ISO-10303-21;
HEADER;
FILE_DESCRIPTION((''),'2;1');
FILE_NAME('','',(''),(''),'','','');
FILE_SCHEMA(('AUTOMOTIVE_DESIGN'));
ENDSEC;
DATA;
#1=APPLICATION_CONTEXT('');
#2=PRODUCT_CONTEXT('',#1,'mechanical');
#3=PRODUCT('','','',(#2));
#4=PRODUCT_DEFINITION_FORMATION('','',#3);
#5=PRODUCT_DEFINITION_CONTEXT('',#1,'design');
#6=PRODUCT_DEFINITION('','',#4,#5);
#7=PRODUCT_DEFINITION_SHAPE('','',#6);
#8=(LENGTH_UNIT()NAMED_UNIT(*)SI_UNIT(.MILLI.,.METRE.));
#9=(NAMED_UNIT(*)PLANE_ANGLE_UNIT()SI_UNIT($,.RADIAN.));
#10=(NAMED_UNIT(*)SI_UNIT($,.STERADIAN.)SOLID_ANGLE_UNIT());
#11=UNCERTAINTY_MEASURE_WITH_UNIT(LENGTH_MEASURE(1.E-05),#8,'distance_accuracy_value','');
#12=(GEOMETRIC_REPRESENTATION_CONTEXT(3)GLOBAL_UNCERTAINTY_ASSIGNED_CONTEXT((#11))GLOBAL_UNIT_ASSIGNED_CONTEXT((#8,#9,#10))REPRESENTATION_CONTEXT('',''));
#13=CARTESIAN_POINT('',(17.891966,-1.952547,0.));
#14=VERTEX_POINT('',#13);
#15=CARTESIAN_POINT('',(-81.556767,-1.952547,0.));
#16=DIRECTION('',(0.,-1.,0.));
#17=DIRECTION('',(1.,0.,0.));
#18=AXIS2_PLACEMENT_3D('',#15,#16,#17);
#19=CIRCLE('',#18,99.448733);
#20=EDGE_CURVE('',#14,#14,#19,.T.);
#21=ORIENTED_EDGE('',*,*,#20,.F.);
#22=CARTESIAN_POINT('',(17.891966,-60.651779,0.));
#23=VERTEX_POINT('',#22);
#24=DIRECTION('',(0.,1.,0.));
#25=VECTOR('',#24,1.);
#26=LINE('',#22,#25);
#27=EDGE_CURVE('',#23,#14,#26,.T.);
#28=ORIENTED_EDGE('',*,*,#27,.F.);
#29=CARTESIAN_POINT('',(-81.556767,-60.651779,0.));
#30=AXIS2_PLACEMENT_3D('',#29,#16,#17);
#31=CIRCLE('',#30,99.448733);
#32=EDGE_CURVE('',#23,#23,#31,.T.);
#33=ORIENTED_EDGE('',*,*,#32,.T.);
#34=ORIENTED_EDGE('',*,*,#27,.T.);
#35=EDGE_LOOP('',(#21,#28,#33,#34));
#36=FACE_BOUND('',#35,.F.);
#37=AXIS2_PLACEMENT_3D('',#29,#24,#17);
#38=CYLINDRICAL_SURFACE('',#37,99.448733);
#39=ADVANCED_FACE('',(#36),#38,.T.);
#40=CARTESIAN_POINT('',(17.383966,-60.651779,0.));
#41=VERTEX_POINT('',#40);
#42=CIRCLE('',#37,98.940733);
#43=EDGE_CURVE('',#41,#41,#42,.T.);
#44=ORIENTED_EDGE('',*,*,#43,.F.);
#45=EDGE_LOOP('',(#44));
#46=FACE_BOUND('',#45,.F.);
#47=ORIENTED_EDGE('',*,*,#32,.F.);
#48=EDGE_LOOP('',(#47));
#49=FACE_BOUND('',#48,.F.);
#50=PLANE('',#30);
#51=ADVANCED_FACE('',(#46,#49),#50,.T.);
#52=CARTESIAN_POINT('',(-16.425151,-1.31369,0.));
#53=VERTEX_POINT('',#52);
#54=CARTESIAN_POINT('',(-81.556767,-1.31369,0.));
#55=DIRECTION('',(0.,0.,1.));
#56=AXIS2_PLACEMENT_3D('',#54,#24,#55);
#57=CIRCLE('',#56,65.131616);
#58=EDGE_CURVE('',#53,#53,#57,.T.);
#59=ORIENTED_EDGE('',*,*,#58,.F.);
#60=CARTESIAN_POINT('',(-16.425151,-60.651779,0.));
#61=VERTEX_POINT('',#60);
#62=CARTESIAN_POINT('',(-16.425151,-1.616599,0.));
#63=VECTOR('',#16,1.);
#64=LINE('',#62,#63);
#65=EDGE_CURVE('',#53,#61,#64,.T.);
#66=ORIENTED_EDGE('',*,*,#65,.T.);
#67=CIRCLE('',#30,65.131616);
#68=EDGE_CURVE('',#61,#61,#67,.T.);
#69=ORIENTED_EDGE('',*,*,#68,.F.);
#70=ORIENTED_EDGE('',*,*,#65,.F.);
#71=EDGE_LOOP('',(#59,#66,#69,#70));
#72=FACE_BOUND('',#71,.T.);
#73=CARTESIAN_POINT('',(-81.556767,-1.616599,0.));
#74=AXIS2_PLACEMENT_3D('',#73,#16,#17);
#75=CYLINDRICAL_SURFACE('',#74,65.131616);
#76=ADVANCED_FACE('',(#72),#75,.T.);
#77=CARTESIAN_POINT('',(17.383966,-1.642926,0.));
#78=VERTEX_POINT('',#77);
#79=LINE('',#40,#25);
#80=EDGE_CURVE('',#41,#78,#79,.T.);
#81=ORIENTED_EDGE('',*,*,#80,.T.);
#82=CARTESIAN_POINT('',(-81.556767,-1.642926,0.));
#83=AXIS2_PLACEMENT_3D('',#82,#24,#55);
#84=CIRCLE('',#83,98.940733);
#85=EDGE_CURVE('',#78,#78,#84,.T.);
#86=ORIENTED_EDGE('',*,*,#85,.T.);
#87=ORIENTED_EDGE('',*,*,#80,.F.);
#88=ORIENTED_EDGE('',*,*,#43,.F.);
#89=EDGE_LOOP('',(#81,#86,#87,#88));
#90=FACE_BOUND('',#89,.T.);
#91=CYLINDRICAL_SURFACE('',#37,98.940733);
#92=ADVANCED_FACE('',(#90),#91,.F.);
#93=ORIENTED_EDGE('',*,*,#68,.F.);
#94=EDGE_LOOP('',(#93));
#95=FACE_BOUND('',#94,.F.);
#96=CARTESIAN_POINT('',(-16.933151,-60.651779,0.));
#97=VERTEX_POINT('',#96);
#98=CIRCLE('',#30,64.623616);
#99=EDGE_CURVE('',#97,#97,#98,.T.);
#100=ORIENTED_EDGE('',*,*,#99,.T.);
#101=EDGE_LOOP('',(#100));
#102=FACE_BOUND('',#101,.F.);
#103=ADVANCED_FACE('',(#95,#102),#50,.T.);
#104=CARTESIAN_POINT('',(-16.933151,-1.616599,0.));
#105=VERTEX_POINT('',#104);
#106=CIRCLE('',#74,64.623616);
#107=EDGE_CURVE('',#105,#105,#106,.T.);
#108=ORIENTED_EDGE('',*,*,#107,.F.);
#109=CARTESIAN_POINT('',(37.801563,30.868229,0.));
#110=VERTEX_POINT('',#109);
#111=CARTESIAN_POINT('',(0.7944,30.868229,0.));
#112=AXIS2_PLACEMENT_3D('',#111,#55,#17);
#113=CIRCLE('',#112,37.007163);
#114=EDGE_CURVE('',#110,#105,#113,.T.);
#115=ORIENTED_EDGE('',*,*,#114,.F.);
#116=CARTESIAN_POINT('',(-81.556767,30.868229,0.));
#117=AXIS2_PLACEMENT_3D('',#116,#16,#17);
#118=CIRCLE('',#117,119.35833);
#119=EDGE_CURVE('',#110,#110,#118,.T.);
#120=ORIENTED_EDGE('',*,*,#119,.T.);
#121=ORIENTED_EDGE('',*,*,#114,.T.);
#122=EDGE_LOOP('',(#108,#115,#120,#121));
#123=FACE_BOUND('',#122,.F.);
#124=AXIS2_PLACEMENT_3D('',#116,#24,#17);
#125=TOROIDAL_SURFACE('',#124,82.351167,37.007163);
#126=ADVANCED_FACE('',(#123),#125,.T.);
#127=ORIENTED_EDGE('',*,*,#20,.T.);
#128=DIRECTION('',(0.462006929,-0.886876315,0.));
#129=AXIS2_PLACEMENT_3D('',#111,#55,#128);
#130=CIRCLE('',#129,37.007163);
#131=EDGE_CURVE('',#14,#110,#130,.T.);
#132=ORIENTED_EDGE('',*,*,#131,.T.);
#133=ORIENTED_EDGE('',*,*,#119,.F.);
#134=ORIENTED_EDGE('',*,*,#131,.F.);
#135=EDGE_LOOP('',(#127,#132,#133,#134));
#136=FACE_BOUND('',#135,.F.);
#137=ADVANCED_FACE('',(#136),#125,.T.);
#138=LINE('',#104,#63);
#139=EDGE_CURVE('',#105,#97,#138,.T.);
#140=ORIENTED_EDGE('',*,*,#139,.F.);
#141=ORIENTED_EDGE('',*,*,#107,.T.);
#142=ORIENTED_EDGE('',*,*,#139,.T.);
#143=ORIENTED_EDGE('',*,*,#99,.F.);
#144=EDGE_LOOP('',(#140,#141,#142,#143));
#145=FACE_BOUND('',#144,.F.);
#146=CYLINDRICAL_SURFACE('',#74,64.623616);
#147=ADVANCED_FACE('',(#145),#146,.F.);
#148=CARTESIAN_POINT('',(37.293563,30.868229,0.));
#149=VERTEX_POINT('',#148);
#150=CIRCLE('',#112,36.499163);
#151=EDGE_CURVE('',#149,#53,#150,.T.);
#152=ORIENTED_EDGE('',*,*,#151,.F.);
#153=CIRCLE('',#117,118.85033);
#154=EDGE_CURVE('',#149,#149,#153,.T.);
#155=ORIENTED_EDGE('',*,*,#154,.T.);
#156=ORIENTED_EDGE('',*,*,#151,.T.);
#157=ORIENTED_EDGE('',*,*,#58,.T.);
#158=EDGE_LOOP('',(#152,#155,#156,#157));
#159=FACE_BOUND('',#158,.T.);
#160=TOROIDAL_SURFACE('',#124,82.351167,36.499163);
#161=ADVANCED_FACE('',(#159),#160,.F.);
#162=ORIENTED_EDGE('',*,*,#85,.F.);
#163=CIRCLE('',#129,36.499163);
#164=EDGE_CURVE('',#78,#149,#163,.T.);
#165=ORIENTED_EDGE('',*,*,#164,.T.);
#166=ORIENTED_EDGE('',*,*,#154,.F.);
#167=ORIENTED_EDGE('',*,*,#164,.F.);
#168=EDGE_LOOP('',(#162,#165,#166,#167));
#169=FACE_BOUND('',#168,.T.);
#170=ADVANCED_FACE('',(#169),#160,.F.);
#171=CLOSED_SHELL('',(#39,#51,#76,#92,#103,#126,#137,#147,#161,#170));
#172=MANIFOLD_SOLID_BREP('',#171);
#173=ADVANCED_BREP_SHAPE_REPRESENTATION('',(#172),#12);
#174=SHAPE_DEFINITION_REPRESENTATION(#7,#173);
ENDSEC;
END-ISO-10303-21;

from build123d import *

# Parameters (mm, degrees)
F0_R   = 4.8384676429
F0_W   = 33.4663977847
F0_H   = 30.9353219345
F0_R_2 = 5.4605028195
F2_T   = -0.508


with BuildPart() as f1:
    # F0 (on Top) → F1 (revolve)
    with BuildSketch(Plane.XY):
        with BuildLine():
            ThreePointArc((17.8919658065, -1.9525471005), (32.4350583253, 11.6745100181), (37.8015630077, 30.8682291267))
            ThreePointArc((37.8015630077, 30.8682291267), (-18.0932111943, 62.6925632536), (-16.9331512416, -1.6165985091))
            Line((-16.9331512416, -1.6165985091), (17.8919658065, -1.9525471005))
        make_face()
        with Locations((-12.7029997908, 51.3977174703)):
            Circle(F0_R, mode=Mode.SUBTRACT)
        with Locations((1.2655355968, 25.1701041125)):
            Rectangle(F0_W, F0_H, mode=Mode.SUBTRACT)
        with Locations((13.1701837148, 51.3977174703)):
            Circle(F0_R_2, mode=Mode.SUBTRACT)
        with Locations((1.2655355968, 25.1701041125)):
            Rectangle(F0_W, F0_H)
        with BuildLine():
            ThreePointArc((-10.6082574531, -4.3384393356), (-13.8341463735, -3.1249427076), (-16.9331512416, -1.6165985091))
            Line((-16.9331512416, -1.6165985091), (-16.9331512416, -58.8920318501))
            Line((-16.9331512416, -58.8920318501), (-16.9331512416, -60.6517791748))
            Line((-16.9331512416, -60.6517791748), (17.8919658065, -60.6517791748))
            Line((17.8919658065, -60.6517791748), (17.8919658065, -1.9525471005))
            ThreePointArc((17.8919658065, -1.9525471005), (15.0521227576, -3.282136167), (12.1099166572, -4.366543328))
            Line((12.1099166572, -4.366543328), (12.1099166572, -56.1267063022))
            Line((12.1099166572, -56.1267063022), (-10.6082574531, -56.1267063022))
            Line((-10.6082574531, -56.1267063022), (-10.6082574531, -50.4808252712))
            Line((-10.6082574531, -50.4808252712), (-10.6082574531, -4.3384393356))
        make_face()
        with BuildLine():
            ThreePointArc((-5.0870146767, -5.6685887978), (-7.8731897306, -5.1095833441), (-10.6082574531, -4.3384393356))
            Line((-10.6082574531, -4.3384393356), (-10.6082574531, -50.4808252712))
            Line((-10.6082574531, -50.4808252712), (-10.6082574531, -56.1267063022))
            Line((-10.6082574531, -56.1267063022), (12.1099166572, -56.1267063022))
            Line((12.1099166572, -56.1267063022), (12.1099166572, -4.366543328))
            ThreePointArc((12.1099166572, -4.366543328), (8.9675990311, -5.2251071548), (5.7619544295, -5.8040152617))
            Line((5.7619544295, -5.8040152617), (5.7619544295, -50.64771019))
            Line((5.7619544295, -50.64771019), (-5.0870146767, -50.4808252712))
            Line((-5.0870146767, -50.4808252712), (-5.0870146767, -5.6685887978))
        make_face()
        with BuildLine():
            ThreePointArc((5.7619544295, -5.8040152617), (0.3324798572, -6.1360508129), (-5.0870146767, -5.6685887978))
            Line((-5.0870146767, -5.6685887978), (-5.0870146767, -50.4808252712))
            Line((-5.0870146767, -50.4808252712), (5.7619544295, -50.64771019))
            Line((5.7619544295, -50.64771019), (5.7619544295, -5.8040152617))
        make_face()
        with BuildLine():
            Line((17.8919658065, -1.9525471005), (-16.9331512416, -1.6165985091))
            ThreePointArc((-16.9331512416, -1.6165985091), (-13.8341463735, -3.1249427076), (-10.6082574531, -4.3384393356))
            ThreePointArc((-10.6082574531, -4.3384393356), (-7.8731897306, -5.1095833441), (-5.0870146767, -5.6685887978))
            ThreePointArc((-5.0870146767, -5.6685887978), (0.3324798572, -6.1360508129), (5.7619544295, -5.8040152617))
            ThreePointArc((5.7619544295, -5.8040152617), (8.9675990311, -5.2251071548), (12.1099166572, -4.366543328))
            ThreePointArc((12.1099166572, -4.366543328), (15.0521227576, -3.282136167), (17.8919658065, -1.9525471005))
        make_face()
        with Locations((13.1701837148, 51.3977174703)):
            Circle(F0_R_2)
        with Locations((-12.7029997908, 51.3977174703)):
            Circle(F0_R)
    revolve(axis=Axis((-81.5567672253, -2.3904573172, 0), (0, -1, 0)))

    # F2
    f2_openings = [f1.faces().sort_by_distance(p)[0] for p in [
        (-148.993218, -60.651779, 0),
    ]]
    offset(amount=F2_T, openings=f2_openings, kind=Kind.INTERSECTION)


solid = f1.part
